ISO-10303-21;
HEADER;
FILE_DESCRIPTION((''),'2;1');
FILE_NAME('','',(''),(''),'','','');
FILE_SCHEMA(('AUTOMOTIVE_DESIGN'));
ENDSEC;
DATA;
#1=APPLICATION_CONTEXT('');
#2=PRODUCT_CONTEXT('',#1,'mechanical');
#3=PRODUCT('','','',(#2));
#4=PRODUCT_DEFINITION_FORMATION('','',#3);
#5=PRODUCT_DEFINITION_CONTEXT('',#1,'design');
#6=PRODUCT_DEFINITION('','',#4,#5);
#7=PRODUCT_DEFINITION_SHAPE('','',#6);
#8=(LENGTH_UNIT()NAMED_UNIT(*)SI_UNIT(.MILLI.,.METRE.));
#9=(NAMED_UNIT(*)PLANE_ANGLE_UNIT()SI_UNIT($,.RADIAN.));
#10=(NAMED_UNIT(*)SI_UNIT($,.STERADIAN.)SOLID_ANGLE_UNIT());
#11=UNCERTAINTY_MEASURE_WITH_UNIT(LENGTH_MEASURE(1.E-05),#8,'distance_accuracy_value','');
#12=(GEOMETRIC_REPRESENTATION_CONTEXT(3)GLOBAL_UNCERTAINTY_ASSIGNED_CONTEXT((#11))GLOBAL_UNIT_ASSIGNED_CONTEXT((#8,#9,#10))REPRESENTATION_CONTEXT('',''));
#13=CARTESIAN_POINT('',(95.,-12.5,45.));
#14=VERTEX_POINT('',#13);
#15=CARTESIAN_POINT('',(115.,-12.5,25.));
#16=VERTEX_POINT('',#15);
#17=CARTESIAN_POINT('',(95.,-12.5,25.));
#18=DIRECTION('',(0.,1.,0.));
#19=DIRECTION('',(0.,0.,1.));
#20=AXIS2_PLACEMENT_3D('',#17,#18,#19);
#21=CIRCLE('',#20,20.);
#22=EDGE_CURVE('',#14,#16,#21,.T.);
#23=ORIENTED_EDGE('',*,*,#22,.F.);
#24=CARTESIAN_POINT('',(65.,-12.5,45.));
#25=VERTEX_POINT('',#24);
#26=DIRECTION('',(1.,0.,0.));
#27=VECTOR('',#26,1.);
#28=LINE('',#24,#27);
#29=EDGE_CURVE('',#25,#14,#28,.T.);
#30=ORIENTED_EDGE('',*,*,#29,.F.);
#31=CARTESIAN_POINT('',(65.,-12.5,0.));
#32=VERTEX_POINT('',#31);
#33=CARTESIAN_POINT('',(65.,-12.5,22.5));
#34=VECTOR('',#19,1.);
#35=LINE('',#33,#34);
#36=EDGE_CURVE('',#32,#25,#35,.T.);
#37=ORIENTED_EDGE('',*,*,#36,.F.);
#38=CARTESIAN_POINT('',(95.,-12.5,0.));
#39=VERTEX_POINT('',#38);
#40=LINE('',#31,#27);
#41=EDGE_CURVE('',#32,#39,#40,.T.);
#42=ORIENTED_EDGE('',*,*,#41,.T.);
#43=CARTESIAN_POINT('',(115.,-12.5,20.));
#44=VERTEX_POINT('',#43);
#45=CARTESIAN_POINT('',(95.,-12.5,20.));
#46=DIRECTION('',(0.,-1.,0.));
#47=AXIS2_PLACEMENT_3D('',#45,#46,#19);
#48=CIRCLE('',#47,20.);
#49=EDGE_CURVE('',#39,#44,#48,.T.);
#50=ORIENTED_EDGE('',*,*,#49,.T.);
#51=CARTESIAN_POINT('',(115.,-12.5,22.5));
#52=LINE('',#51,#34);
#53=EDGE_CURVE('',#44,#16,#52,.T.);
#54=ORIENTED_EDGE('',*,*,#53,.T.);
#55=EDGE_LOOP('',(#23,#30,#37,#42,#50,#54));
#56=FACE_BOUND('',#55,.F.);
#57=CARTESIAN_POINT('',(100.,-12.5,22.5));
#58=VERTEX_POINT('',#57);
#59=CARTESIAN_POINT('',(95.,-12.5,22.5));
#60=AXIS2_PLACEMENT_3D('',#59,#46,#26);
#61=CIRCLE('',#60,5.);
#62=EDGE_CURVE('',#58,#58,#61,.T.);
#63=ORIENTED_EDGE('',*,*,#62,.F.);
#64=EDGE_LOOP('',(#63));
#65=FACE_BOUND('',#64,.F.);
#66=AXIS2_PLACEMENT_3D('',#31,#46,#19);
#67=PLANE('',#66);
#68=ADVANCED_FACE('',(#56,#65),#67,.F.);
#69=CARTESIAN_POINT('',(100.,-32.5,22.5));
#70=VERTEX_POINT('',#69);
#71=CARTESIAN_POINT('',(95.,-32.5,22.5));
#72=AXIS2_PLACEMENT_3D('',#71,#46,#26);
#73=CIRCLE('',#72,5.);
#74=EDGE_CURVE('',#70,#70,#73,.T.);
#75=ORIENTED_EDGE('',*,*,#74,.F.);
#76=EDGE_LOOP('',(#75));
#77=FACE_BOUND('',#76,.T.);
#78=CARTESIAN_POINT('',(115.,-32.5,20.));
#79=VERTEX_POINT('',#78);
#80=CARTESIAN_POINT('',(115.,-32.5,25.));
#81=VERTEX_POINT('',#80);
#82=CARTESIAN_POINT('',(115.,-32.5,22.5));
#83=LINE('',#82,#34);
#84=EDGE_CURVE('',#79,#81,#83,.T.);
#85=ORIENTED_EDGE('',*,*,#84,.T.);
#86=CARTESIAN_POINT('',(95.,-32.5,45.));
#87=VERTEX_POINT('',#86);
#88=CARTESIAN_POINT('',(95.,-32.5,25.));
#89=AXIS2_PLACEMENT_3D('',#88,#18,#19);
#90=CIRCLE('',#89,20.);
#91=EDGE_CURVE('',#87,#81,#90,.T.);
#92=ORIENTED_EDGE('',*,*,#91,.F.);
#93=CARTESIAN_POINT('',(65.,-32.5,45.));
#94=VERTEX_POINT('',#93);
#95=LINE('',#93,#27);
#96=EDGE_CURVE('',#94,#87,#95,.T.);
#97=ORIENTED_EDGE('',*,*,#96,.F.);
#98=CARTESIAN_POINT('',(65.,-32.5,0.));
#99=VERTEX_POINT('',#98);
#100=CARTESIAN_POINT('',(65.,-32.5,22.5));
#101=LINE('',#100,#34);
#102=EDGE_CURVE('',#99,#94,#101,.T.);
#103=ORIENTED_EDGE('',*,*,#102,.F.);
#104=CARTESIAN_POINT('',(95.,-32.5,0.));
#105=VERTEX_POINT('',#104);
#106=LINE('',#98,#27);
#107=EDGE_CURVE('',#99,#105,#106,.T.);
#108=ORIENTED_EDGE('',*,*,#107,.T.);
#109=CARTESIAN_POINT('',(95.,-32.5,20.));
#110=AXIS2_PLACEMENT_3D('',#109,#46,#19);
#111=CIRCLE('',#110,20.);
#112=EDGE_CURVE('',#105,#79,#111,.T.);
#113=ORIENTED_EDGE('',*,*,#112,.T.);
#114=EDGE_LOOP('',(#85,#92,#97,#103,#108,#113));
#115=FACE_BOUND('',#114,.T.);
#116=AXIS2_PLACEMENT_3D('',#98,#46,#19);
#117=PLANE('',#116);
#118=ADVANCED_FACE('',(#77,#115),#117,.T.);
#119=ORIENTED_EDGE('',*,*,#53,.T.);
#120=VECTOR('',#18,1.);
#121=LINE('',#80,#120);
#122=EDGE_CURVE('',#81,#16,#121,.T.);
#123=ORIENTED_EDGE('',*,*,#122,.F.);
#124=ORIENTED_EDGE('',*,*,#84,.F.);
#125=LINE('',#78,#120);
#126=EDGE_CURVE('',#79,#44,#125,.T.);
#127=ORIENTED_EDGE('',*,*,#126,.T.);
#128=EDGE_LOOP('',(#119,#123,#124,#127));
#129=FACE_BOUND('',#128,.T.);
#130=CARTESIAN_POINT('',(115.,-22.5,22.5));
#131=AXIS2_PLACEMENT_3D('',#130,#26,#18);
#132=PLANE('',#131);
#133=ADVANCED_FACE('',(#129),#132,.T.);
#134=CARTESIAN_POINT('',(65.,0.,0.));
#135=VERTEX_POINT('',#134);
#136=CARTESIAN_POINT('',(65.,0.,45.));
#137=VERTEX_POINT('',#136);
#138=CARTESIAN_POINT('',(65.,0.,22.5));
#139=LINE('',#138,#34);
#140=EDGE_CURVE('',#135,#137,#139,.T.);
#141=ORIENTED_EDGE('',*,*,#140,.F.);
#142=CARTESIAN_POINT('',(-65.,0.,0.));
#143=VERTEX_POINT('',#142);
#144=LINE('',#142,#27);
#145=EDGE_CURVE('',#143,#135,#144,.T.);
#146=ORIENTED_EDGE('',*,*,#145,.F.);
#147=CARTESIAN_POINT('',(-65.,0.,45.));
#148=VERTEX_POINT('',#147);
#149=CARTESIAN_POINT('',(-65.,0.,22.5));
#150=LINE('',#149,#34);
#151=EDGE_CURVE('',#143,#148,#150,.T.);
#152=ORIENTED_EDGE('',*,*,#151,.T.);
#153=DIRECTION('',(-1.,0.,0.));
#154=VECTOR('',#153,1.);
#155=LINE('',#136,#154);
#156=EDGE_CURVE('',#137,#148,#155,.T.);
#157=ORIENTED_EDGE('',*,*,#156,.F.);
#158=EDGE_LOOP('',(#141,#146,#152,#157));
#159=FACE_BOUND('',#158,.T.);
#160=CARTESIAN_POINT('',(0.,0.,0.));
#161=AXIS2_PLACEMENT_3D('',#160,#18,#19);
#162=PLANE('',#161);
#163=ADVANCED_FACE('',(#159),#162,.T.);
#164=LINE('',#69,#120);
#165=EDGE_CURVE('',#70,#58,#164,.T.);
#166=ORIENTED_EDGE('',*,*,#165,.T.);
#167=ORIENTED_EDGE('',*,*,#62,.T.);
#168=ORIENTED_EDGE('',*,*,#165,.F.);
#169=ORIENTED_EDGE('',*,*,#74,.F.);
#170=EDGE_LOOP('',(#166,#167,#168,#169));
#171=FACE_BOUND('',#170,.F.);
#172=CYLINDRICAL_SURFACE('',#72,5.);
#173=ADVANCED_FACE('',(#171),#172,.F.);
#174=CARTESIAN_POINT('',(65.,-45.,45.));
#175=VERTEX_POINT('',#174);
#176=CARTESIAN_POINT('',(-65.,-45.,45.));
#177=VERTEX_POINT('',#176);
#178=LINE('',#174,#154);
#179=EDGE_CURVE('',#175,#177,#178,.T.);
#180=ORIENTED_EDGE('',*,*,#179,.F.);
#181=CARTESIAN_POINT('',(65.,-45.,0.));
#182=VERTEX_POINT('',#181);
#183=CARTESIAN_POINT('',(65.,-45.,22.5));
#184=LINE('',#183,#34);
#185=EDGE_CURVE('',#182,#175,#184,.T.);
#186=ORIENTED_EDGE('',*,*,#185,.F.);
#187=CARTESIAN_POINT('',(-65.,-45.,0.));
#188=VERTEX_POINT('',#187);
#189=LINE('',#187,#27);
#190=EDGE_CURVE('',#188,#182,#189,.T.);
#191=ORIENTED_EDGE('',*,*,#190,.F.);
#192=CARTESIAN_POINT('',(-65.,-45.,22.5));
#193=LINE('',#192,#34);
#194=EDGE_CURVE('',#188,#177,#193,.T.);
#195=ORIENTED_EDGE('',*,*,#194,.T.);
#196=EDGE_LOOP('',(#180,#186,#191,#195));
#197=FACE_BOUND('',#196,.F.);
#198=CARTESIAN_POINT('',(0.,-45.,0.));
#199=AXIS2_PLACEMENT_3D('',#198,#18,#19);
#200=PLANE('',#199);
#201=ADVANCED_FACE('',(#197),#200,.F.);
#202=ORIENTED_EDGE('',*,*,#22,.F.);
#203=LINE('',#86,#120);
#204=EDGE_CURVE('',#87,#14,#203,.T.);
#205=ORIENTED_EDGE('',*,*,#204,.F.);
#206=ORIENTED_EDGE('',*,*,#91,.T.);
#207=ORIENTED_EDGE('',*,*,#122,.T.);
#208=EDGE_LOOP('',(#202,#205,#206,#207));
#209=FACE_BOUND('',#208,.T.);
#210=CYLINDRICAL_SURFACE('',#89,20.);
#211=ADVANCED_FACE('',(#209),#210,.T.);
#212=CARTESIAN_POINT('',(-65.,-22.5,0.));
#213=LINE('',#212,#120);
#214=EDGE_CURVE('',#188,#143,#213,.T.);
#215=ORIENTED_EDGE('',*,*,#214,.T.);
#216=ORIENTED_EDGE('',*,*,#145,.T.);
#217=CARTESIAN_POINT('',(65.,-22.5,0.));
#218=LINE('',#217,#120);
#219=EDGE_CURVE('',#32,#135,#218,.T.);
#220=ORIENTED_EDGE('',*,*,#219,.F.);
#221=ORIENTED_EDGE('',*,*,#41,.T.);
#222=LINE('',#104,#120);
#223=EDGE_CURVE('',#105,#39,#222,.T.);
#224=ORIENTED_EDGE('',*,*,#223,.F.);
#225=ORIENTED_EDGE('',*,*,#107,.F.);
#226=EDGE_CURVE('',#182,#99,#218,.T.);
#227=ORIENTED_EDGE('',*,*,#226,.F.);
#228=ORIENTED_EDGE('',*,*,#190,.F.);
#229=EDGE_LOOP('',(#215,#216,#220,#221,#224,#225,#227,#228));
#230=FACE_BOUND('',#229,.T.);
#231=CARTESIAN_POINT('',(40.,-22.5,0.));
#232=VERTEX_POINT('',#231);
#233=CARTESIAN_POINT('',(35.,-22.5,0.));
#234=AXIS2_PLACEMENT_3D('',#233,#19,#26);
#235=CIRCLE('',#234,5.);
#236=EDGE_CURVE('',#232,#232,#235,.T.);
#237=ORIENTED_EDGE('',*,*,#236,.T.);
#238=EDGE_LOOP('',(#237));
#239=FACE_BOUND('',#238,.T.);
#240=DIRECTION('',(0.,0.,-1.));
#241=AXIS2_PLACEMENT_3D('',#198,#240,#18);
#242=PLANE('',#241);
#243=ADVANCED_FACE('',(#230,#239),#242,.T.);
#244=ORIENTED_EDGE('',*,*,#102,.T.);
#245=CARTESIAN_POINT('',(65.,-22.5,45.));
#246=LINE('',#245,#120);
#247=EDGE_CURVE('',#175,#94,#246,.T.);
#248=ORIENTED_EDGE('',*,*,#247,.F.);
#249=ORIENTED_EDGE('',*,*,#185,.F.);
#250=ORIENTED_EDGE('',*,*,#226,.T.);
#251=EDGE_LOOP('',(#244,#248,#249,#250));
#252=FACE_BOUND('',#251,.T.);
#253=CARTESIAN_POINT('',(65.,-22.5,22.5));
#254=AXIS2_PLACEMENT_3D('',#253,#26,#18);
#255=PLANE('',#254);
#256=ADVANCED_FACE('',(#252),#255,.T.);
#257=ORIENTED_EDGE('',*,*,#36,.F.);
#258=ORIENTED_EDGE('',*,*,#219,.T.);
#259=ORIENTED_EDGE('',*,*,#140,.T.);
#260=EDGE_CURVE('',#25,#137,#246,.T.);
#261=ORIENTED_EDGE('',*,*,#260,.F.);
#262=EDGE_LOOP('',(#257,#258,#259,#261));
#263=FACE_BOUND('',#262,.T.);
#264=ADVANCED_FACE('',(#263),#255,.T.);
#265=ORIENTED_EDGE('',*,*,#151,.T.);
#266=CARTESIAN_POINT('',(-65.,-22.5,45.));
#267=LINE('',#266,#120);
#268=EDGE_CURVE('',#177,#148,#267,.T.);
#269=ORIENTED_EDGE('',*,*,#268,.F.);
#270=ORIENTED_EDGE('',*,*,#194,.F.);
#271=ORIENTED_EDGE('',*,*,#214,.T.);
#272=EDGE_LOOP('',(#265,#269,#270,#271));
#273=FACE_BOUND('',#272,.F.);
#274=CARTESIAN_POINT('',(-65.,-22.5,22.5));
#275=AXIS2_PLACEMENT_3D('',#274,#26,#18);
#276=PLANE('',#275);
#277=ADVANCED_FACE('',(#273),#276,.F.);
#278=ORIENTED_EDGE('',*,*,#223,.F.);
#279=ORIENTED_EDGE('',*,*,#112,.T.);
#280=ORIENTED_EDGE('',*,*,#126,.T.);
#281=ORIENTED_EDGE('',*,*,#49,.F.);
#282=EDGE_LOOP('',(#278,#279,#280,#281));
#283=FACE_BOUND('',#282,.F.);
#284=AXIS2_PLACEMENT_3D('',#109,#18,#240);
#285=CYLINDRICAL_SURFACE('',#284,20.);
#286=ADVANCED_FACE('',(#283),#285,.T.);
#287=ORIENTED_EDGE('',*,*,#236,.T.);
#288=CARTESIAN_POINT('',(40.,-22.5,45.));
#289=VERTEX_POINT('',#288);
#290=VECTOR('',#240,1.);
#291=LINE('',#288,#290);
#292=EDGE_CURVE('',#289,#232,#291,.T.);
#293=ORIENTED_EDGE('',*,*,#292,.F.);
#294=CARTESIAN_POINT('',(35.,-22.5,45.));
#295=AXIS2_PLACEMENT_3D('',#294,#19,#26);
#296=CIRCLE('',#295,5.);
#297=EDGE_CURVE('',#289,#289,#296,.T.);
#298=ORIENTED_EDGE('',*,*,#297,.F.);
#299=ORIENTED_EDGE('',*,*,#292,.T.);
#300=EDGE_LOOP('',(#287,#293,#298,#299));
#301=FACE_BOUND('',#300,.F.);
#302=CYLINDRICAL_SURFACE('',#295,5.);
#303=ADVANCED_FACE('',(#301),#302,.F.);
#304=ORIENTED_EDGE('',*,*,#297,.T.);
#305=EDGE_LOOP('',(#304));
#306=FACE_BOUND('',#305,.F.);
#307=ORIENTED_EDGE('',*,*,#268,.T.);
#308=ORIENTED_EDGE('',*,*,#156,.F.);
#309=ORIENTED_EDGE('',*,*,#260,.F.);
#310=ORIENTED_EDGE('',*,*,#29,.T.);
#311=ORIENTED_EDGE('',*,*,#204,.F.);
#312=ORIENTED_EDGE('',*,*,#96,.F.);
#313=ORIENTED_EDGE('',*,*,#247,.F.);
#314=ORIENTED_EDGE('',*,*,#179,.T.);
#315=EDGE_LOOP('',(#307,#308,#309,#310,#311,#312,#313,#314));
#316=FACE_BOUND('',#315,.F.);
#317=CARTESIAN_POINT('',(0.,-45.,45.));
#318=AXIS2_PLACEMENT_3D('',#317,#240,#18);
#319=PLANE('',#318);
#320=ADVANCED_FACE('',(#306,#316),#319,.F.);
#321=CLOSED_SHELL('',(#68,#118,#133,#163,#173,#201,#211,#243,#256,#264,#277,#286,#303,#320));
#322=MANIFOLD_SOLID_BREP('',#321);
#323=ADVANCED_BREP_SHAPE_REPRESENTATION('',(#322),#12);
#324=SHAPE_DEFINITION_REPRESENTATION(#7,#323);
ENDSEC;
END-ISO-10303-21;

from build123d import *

# Parameters (mm, degrees)
F0_W     = 45
F0_H     = 45
F1_DEPTH = 65
F2_R     = 5
F3_DEPTH = 45.001
F4_W     = 20
F4_H     = 45
F5_DEPTH = 50
F6_R     = 20
F7_R     = 5
F8_DEPTH = 25


with BuildPart() as f1:
    # F0 (on Right) → F1 (new body, symmetric)
    with BuildSketch(Plane.YZ):
        with Locations((-22.5, 22.5)):
            Rectangle(F0_W, F0_H)
    extrude(amount=F1_DEPTH, both=True)

    # F2 (on face) → F3 (cut, through all)
    with BuildSketch(Plane.XY.offset(45)):
        with Locations((35, -22.5)):
            Circle(F2_R)
    extrude(amount=-F3_DEPTH, mode=Mode.SUBTRACT)

    # F4 (on face) → F5 (join)
    with BuildSketch(Plane.YZ.offset(65)):
        with Locations((-22.5, 22.5)):
            Rectangle(F4_W, F4_H)
    extrude(amount=F5_DEPTH)

    # F6
    f6_edges = [f1.edges().sort_by_distance(p)[0] for p in [
        (115, -22.5, 45),
        (115, -22.5, 0),
    ]]
    fillet(f6_edges, radius=F6_R)

    # F7 (on face) → F8 (cut)
    with BuildSketch(Plane.XZ.offset(32.5)):
        with Locations((95, 22.5)):
            Circle(F7_R)
    extrude(amount=-F8_DEPTH, mode=Mode.SUBTRACT)


solid = f1.part
